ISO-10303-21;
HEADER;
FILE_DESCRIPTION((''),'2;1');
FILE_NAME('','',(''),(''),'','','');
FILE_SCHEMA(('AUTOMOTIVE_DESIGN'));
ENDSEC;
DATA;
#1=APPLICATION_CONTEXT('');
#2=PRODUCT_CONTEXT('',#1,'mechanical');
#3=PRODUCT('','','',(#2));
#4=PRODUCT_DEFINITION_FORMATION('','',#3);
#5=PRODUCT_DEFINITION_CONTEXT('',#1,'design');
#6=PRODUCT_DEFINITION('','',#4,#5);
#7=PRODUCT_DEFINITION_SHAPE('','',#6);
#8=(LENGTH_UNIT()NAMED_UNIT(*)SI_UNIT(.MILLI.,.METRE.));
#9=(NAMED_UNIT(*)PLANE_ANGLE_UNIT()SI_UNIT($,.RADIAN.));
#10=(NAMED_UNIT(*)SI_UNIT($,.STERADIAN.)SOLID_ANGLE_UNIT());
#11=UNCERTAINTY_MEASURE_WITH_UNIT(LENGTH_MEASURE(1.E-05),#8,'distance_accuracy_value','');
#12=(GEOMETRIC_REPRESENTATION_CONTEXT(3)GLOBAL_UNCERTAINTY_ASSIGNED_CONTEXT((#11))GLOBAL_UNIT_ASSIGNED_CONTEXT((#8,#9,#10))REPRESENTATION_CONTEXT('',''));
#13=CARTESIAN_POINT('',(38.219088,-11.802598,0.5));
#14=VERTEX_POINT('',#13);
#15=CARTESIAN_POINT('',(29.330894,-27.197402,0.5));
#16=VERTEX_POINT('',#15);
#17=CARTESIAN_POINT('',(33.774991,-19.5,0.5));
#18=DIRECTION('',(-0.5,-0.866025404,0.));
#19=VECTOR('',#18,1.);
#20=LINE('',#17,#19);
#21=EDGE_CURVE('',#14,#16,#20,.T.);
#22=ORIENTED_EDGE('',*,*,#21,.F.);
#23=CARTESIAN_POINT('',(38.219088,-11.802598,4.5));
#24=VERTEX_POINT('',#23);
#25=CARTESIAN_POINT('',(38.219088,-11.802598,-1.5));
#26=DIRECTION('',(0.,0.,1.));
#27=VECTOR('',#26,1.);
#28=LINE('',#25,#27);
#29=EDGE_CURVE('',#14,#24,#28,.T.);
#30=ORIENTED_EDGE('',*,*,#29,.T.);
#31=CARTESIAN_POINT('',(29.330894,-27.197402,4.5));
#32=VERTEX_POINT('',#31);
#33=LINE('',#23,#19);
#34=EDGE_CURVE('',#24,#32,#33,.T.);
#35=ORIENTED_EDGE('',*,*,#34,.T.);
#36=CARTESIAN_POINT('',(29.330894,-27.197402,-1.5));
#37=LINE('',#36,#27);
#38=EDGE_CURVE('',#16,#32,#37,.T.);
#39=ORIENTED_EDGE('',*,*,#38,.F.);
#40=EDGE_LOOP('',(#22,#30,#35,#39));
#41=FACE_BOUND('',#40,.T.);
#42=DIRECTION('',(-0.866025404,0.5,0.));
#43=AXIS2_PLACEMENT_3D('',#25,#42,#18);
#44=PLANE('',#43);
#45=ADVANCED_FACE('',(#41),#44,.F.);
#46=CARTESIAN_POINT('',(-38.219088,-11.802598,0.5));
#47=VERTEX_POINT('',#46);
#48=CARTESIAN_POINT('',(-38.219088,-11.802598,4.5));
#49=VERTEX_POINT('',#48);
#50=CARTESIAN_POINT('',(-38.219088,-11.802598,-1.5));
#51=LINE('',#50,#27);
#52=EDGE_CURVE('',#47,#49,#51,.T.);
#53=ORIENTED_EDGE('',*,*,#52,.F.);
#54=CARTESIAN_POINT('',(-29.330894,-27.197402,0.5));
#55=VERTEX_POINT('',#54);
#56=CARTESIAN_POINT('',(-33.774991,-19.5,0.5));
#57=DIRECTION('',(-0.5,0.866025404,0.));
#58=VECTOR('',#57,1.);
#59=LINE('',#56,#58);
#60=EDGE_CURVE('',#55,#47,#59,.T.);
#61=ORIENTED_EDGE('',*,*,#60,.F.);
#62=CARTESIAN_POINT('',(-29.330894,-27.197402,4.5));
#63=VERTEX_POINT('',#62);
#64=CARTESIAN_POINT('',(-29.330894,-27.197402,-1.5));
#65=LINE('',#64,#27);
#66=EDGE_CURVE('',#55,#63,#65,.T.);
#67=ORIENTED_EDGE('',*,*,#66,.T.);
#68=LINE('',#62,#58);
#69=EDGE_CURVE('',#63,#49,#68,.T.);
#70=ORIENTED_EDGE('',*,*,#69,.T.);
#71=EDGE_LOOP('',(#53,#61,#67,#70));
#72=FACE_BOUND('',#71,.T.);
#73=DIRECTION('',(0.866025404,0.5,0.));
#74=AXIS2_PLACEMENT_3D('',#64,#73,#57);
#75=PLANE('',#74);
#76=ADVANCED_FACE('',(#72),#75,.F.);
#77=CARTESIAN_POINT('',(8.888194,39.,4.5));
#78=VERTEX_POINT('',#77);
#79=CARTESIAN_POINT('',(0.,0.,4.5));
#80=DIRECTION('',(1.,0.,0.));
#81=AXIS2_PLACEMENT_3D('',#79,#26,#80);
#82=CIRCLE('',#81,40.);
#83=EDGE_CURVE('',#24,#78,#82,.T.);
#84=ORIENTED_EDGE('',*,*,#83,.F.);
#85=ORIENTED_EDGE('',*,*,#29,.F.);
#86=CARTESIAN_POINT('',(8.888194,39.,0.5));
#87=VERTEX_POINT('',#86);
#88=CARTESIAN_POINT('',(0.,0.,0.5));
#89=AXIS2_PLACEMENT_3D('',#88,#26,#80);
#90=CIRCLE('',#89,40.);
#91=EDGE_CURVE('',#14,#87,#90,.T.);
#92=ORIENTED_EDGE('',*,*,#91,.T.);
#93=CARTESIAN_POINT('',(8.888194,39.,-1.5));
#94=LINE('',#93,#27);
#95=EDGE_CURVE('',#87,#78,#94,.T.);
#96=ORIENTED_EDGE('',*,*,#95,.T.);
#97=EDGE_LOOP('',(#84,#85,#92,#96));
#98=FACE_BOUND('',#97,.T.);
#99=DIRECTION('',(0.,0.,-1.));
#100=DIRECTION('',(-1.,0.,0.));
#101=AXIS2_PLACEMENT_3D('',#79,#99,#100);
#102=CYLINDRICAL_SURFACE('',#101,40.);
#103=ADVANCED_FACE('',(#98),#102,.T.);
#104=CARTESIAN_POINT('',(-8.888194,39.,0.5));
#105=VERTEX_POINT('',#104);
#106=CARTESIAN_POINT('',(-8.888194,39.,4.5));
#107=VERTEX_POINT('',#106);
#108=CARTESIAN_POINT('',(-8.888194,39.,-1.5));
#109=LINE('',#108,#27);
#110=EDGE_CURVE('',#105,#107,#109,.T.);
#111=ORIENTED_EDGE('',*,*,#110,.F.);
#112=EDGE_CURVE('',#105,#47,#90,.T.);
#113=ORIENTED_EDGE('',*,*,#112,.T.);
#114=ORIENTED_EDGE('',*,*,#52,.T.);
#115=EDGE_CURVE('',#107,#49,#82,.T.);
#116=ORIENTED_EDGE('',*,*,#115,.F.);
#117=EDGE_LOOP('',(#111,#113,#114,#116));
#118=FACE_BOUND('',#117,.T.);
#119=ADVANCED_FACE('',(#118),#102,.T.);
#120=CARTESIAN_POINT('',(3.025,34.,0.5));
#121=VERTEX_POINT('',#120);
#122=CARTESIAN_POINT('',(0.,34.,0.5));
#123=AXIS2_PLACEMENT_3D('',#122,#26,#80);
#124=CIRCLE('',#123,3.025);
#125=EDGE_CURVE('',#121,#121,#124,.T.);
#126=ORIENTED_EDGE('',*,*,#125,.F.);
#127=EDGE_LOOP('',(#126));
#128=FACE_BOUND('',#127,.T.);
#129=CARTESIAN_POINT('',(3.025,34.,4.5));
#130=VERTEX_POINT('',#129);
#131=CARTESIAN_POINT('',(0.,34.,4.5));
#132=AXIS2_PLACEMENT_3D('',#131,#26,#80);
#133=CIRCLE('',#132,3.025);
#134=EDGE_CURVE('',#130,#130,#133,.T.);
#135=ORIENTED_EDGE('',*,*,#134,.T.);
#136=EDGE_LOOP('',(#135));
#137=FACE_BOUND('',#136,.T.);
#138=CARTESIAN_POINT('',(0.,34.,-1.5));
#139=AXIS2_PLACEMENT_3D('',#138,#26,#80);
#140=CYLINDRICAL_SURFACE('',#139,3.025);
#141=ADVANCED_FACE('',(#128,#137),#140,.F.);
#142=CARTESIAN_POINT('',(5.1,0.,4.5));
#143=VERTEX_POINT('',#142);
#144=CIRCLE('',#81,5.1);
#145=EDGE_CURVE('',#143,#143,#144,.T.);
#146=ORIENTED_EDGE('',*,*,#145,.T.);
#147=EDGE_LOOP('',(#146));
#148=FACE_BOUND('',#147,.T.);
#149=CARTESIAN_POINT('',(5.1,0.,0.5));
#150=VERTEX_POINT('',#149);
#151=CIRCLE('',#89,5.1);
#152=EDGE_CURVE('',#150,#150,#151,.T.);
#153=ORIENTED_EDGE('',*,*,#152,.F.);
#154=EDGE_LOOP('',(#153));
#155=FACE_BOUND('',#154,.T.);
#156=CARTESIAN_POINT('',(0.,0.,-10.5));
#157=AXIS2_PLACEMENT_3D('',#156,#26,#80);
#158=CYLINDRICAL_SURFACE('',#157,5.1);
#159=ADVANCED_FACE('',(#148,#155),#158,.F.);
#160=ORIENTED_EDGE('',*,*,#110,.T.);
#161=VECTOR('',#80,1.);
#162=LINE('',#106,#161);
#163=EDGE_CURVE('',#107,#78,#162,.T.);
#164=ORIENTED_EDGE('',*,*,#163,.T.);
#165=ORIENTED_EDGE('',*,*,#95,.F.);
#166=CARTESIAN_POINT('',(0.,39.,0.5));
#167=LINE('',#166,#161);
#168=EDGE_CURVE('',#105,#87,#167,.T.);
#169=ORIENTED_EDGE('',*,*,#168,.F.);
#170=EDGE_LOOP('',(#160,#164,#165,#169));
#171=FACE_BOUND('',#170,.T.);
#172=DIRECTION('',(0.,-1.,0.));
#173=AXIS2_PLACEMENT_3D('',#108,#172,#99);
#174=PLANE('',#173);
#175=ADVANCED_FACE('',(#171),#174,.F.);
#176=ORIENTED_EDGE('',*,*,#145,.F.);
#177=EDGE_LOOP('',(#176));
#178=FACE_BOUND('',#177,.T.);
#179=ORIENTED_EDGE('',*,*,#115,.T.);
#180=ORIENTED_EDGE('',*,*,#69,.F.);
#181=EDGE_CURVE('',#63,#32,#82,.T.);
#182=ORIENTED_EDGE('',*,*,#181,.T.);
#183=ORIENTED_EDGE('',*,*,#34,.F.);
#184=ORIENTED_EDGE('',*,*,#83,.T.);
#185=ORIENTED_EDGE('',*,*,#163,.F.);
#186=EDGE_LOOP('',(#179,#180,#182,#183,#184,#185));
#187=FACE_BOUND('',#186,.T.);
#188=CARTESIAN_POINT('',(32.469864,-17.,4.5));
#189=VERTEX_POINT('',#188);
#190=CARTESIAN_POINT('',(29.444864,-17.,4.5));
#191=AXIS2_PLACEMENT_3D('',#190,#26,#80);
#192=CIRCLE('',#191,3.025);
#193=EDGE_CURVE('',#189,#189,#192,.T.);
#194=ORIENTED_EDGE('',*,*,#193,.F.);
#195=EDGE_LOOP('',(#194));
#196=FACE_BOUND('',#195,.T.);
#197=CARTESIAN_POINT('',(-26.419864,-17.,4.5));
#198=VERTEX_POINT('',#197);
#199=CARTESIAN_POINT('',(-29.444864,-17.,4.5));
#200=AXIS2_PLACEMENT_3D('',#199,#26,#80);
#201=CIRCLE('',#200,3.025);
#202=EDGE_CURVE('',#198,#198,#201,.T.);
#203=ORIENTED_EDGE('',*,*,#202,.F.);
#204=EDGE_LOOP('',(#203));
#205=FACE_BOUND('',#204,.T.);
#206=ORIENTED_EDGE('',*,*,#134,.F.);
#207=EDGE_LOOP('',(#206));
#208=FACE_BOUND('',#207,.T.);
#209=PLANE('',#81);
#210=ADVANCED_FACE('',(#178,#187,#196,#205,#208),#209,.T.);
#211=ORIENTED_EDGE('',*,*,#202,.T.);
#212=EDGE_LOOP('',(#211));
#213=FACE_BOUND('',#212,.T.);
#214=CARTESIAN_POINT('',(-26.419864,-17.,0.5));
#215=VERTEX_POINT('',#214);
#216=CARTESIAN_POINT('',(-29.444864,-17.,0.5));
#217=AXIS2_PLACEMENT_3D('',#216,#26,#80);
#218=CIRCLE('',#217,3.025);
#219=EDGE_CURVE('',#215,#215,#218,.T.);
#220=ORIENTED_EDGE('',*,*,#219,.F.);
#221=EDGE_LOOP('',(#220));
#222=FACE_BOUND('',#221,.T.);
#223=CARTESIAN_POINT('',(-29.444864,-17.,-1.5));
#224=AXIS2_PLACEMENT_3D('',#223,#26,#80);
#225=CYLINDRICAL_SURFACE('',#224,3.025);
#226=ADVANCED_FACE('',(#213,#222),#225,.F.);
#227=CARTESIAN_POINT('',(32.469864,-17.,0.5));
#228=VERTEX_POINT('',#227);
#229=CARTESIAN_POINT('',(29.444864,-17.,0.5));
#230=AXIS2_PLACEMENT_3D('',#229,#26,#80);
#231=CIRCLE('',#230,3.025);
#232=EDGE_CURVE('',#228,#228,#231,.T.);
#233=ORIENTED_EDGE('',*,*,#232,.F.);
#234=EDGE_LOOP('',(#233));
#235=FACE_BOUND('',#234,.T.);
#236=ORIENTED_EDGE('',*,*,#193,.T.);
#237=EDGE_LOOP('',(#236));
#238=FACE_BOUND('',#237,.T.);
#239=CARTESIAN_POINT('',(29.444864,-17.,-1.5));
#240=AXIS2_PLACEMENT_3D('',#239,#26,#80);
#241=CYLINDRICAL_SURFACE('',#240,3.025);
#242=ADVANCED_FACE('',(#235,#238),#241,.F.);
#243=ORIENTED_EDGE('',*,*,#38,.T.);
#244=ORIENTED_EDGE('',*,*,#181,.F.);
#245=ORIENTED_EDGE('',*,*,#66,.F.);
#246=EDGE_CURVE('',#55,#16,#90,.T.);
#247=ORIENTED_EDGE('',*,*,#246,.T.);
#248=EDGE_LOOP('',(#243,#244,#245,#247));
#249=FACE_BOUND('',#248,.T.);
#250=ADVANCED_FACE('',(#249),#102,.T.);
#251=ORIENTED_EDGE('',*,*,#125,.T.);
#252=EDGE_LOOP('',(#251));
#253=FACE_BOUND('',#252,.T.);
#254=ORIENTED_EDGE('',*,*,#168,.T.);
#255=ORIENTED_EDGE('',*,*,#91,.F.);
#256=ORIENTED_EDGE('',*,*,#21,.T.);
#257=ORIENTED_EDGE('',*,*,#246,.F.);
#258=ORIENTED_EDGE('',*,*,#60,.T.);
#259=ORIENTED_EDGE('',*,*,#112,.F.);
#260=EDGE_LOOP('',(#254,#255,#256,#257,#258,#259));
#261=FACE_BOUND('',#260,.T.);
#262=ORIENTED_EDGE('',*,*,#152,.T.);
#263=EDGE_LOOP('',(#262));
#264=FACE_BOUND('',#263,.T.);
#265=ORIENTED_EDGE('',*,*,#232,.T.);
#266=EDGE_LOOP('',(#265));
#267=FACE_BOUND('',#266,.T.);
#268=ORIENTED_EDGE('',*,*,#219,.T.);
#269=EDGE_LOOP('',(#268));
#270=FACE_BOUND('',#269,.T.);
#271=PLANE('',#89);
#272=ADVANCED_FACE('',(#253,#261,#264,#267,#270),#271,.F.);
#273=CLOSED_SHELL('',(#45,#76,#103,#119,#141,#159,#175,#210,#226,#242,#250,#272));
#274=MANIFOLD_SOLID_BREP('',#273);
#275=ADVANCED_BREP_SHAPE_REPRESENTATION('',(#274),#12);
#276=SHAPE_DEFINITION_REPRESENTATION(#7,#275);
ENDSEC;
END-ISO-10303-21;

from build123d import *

# Parameters (mm, degrees)
BOSS_EXTRUDE1_START = 0.5
SKETCH1_R           = 40
BOSS_EXTRUDE1_DEPTH = 4
CUT_EXTRUDE1_START  = -6
SKETCH2_R           = 3.025
CUT_EXTRUDE1_DEPTH  = 6
SKETCH3_R           = 5.1
CUT_EXTRUDE2_DEPTH  = 15


with BuildPart() as part:
    # Sketch1 → Boss-Extrude1 (new body)
    with BuildSketch(Plane.XY.offset(BOSS_EXTRUDE1_START)):
        Circle(SKETCH1_R)
    extrude(amount=BOSS_EXTRUDE1_DEPTH)

    # Sketch2 → Cut-Extrude1 (cut)
    with BuildSketch(Plane.XY.offset(4.5).offset(CUT_EXTRUDE1_START)):
        with Locations((0, 34)):
            Circle(SKETCH2_R)
        with Locations((29.444863729, -17)):
            Circle(SKETCH2_R)
        with Locations((-29.444863729, -17)):
            Circle(SKETCH2_R)
        with BuildLine():
            Line((-8.888194417, 39), (8.888194417, 39))
            ThreePointArc((8.888194417, 39), (0, 40), (-8.888194417, 39))
        make_face()
        with BuildLine():
            Line((38.219087956, -11.802597841), (29.330893539, -27.197402159))
            ThreePointArc((29.330893539, -27.197402159), (34.641016151, -20), (38.219087956, -11.802597841))
        make_face()
        with BuildLine():
            Line((-29.330893539, -27.197402159), (-38.219087956, -11.802597841))
            ThreePointArc((-38.219087956, -11.802597841), (-34.641016151, -20), (-29.330893539, -27.197402159))
        make_face()
    extrude(amount=CUT_EXTRUDE1_DEPTH, mode=Mode.SUBTRACT)

    # Sketch3 → Cut-Extrude2 (cut)
    with BuildSketch(Plane.XY.offset(4.5)):
        Circle(SKETCH3_R)
    extrude(amount=-CUT_EXTRUDE2_DEPTH, mode=Mode.SUBTRACT)


solid = part.part
